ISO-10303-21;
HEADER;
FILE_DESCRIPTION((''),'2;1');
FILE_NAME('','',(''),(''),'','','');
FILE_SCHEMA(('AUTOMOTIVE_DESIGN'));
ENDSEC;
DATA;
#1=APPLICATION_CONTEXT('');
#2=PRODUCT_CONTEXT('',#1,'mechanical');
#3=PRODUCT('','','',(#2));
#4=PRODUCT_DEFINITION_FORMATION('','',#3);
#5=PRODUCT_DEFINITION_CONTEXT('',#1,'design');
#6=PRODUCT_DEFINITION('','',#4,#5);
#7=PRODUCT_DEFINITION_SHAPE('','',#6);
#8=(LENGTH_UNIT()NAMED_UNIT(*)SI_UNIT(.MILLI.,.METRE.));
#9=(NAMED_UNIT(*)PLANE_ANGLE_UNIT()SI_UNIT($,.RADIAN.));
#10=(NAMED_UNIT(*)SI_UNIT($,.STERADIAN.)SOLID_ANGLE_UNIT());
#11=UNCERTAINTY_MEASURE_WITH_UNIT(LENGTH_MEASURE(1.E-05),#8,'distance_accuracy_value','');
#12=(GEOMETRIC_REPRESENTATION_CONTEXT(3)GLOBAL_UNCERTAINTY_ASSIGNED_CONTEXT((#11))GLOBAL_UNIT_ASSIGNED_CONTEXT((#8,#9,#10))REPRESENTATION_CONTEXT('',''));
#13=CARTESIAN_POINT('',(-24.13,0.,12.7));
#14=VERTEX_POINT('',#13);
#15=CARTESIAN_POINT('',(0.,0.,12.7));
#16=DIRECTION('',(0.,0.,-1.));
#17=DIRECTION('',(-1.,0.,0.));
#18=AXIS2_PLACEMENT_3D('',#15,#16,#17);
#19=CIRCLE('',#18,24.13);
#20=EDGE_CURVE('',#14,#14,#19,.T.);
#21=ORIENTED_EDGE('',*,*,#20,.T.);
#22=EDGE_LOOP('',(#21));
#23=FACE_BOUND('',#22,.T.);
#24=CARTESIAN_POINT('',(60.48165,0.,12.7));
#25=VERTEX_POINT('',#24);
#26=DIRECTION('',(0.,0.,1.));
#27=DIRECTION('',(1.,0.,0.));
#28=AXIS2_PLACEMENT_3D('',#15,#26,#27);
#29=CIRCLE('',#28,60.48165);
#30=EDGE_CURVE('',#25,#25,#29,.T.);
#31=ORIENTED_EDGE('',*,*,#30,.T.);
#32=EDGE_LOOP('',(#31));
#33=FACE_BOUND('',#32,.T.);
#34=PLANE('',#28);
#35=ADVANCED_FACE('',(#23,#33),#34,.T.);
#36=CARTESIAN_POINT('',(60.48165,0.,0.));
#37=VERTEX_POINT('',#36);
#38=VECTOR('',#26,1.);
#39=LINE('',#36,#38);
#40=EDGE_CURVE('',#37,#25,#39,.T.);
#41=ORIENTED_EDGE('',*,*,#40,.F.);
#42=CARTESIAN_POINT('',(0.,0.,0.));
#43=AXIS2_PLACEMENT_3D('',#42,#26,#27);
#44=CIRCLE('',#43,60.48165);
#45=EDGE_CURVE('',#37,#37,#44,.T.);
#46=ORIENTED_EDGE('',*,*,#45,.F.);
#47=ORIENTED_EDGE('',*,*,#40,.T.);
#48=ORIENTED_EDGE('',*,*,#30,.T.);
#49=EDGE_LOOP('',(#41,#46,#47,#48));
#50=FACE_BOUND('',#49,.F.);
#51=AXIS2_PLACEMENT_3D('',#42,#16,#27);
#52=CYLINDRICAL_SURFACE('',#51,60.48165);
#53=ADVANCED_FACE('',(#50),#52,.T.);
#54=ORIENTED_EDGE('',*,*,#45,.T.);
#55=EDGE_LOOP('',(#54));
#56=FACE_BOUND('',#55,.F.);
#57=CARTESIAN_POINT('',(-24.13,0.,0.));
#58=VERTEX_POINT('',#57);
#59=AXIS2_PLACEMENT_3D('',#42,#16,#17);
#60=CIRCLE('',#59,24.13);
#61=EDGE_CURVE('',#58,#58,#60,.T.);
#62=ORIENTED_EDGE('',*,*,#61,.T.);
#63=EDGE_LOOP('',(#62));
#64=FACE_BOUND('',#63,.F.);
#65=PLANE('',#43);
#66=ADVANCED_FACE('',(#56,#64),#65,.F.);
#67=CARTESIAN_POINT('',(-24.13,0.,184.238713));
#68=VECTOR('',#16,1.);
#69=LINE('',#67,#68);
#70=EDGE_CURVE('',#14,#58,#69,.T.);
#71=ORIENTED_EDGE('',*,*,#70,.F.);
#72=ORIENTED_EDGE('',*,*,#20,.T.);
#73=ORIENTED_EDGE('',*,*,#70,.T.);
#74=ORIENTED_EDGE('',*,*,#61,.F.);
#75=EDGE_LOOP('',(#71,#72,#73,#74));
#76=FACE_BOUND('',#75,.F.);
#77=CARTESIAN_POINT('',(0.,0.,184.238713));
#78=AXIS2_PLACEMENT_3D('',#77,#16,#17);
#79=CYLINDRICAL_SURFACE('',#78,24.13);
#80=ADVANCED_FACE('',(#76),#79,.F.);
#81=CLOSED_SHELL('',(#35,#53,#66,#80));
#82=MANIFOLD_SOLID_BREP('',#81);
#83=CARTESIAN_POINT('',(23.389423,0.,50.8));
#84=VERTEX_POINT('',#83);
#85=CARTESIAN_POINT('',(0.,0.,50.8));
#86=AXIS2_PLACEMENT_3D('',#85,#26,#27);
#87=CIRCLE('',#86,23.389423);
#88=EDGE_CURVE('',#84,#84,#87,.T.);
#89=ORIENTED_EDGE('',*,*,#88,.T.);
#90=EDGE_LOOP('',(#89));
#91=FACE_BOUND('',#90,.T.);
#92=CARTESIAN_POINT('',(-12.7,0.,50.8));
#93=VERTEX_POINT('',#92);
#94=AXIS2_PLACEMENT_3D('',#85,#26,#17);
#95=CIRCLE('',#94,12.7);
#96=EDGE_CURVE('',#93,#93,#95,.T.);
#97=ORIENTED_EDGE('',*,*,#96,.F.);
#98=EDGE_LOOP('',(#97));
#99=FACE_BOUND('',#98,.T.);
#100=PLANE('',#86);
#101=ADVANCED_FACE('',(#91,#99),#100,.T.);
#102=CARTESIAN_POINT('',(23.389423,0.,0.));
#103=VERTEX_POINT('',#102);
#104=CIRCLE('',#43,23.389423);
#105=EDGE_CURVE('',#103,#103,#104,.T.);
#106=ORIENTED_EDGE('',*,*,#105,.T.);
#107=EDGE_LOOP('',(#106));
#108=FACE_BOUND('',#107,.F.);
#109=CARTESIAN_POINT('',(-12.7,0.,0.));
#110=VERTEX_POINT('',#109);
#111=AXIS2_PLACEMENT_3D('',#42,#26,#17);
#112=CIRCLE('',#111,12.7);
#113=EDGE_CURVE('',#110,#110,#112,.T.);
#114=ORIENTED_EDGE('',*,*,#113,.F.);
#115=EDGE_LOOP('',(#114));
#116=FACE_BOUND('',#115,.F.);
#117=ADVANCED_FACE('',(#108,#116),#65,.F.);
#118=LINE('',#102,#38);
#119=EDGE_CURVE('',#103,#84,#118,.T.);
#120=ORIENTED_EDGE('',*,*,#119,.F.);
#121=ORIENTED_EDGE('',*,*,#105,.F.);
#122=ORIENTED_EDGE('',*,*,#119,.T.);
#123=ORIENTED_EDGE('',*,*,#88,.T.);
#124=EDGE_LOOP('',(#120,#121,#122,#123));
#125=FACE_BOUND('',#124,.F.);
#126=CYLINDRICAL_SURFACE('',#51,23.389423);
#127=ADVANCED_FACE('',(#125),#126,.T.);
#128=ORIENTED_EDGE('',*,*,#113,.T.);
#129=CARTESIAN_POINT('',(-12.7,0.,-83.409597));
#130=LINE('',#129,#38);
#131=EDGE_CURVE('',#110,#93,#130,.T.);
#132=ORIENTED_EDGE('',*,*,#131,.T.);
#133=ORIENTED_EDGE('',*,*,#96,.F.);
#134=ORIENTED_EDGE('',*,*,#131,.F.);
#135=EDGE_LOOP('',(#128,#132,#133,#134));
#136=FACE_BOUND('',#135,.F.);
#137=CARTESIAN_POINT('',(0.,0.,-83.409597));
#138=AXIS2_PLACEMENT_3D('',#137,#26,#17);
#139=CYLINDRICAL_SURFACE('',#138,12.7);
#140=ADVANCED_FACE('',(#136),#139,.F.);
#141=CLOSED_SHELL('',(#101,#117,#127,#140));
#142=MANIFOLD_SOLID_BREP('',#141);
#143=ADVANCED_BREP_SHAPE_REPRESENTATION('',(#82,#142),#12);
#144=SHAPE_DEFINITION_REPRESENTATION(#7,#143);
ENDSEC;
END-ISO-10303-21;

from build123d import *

# Parameters (mm, degrees)
F0_R     = 60.48165
F1_DEPTH = 12.7
F3_D     = 48.26
F4_R     = 23.389423
F5_DEPTH = 50.8
F7_D     = 25.4


with BuildPart() as f1:
    # F0 (on Top) → F1 (new body)
    with BuildSketch(Plane.XY):
        Circle(F0_R)
    extrude(amount=F1_DEPTH)

    # F3 (through all)
    with Locations(Plane.XY.offset(12.7)):
        with Locations((0, 0)):
            Hole(F3_D / 2)


with BuildPart() as f5:
    # F4 (on Top) → F5 (new body)
    with BuildSketch(Plane.XY):
        Circle(F4_R)
    extrude(amount=F5_DEPTH)

    # F7 (through all)
    with Locations(Plane(origin=(0, 0, 0), x_dir=(1, 0, 0), z_dir=(0, 0, -1))):
        with Locations((0, 0)):
            Hole(F7_D / 2)


solid = Compound([f1.part, f5.part])
